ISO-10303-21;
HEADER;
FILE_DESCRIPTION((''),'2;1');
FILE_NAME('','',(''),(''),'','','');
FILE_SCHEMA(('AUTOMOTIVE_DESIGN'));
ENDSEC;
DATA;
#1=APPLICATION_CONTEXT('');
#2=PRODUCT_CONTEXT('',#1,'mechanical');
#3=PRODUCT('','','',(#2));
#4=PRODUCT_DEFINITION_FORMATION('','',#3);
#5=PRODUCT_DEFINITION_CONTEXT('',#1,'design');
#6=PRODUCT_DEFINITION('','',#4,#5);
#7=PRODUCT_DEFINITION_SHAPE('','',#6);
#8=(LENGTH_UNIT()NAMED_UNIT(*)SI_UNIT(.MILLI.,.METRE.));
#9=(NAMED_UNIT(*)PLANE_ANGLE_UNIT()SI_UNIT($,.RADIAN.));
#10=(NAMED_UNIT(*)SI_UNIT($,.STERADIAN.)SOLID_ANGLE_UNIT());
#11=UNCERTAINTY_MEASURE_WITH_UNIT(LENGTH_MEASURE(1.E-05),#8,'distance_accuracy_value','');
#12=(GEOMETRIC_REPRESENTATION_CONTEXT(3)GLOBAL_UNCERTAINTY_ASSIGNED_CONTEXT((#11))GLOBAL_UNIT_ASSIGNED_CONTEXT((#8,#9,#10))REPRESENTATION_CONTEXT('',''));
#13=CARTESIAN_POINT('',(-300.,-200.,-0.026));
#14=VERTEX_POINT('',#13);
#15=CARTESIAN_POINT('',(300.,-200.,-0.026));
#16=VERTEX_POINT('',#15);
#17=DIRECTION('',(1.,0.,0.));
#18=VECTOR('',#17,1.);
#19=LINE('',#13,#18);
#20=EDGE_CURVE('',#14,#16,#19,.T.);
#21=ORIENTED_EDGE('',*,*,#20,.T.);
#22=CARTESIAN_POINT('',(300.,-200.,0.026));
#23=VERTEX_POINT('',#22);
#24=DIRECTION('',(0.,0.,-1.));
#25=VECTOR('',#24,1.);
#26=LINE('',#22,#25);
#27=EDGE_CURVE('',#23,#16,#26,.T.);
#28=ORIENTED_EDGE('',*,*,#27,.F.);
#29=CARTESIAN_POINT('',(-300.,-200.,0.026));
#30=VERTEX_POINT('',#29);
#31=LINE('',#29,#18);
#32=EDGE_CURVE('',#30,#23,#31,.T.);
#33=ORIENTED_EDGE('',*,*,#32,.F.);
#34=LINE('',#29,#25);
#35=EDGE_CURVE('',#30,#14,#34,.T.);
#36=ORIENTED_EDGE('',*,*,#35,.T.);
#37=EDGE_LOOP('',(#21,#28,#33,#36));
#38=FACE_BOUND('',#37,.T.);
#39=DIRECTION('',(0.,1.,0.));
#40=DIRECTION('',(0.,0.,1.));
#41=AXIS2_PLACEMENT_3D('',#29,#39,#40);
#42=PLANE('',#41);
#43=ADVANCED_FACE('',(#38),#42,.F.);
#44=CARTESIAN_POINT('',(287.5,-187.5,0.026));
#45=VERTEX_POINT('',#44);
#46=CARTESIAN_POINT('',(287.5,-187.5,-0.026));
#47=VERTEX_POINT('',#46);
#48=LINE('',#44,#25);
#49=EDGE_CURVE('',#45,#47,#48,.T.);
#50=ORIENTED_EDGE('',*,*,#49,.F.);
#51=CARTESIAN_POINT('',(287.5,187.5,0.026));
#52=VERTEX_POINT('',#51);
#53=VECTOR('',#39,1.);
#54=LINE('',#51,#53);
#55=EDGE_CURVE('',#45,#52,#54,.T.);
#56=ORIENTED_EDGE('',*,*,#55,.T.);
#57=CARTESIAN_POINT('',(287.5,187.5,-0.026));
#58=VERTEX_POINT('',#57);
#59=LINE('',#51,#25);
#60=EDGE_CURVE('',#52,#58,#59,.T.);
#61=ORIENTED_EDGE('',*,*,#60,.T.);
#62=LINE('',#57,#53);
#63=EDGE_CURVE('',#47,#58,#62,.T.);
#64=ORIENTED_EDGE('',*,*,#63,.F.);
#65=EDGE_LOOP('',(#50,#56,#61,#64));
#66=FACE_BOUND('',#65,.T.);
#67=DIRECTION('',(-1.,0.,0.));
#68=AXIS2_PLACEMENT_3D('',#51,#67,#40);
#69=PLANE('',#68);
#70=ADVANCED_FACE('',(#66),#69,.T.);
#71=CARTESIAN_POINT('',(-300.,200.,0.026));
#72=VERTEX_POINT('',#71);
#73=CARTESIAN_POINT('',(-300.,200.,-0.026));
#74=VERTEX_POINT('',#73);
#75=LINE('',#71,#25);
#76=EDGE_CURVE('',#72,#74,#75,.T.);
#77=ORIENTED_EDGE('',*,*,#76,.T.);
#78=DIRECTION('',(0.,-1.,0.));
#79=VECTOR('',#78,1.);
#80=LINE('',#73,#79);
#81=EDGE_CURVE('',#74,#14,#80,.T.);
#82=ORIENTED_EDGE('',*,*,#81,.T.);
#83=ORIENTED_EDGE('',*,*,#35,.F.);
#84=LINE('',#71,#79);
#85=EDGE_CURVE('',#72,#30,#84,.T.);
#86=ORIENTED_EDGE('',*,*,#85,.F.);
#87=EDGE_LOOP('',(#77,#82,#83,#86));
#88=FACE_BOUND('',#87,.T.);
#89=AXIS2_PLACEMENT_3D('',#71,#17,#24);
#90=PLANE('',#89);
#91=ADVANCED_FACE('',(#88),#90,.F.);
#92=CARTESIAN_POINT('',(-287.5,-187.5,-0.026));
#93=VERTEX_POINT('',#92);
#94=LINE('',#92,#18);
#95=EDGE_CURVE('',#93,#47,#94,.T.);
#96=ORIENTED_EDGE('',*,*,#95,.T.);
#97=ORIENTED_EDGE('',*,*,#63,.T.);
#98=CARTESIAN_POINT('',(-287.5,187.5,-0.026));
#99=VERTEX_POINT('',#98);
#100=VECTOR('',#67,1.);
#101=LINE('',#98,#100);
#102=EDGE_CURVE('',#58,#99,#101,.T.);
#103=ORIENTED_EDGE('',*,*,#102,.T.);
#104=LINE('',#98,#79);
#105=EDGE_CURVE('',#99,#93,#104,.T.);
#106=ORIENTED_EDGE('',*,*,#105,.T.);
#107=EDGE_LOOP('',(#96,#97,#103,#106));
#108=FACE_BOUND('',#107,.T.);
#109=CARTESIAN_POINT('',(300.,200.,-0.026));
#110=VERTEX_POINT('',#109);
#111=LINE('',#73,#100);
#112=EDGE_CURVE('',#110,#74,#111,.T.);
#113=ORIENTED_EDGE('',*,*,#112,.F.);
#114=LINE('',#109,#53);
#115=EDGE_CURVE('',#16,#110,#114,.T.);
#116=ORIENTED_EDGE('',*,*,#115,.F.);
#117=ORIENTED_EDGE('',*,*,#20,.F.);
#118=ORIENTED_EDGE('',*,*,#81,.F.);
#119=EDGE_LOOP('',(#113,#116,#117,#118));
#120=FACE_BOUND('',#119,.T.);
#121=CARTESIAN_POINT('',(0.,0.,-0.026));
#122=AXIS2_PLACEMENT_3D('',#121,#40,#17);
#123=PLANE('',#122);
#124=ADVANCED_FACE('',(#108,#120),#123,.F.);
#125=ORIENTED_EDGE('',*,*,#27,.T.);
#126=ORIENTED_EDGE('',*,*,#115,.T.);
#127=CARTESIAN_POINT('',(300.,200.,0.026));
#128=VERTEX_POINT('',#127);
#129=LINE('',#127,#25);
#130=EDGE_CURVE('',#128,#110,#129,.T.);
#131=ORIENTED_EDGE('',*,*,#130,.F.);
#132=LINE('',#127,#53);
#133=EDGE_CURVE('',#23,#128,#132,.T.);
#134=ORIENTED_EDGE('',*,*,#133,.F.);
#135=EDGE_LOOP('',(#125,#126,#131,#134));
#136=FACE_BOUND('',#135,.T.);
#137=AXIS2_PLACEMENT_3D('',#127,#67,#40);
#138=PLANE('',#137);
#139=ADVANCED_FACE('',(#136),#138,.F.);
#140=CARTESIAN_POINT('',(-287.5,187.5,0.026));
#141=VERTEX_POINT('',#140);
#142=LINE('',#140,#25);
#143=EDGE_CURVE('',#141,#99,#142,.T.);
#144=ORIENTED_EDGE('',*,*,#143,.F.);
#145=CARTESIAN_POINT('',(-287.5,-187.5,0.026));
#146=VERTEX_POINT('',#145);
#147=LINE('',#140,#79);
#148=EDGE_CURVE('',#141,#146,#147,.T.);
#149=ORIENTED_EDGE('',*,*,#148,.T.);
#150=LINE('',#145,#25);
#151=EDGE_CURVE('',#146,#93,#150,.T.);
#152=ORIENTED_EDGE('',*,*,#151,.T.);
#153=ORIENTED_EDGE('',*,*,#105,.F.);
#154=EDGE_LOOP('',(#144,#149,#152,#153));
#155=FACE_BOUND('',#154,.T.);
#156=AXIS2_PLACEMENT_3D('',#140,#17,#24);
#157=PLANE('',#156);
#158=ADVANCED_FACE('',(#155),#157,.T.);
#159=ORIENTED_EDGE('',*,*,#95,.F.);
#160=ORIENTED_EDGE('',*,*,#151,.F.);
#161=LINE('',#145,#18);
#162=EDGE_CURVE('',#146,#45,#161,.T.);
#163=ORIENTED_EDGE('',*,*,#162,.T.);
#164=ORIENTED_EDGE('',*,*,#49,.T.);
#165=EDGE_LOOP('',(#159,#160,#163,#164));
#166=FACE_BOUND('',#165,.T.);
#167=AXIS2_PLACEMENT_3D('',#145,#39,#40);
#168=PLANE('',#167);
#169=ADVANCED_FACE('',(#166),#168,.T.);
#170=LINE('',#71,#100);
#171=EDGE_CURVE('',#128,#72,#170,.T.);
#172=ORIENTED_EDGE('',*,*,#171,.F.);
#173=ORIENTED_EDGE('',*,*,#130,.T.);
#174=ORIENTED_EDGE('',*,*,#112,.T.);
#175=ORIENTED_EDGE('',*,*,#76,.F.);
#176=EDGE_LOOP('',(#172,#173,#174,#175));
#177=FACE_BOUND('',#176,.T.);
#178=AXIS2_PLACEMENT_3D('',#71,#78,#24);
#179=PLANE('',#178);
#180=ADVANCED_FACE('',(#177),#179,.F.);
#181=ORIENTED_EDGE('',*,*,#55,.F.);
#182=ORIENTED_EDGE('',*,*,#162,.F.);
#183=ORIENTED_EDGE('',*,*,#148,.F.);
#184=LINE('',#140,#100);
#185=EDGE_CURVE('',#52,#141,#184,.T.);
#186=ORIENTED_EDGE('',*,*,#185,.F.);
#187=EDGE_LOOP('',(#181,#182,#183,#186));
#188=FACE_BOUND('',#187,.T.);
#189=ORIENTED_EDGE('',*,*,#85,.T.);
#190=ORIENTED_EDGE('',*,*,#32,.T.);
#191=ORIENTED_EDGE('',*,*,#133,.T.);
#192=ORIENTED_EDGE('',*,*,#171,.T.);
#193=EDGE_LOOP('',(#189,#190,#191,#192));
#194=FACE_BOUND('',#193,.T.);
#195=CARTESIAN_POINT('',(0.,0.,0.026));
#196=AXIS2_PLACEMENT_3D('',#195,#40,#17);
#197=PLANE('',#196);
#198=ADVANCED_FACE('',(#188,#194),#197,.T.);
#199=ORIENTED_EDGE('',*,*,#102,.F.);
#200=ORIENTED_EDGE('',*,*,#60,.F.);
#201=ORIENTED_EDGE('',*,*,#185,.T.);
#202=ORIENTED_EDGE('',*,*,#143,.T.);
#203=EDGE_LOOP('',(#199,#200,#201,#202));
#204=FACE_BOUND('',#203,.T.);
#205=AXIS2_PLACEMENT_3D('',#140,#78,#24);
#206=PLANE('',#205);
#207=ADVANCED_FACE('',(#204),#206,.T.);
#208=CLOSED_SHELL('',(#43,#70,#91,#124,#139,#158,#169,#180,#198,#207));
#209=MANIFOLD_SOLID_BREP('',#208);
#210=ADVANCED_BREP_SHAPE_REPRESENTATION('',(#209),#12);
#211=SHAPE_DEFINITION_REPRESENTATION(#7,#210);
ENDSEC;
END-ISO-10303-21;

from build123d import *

# Parameters (mm, degrees)
SKETCH4_W           = 600
SKETCH4_H           = 400
SKETCH4_W_2         = 575
SKETCH4_H_2         = 375
BOSS_EXTRUDE4_DEPTH = 0.026


with BuildPart() as part:
    # Sketch4 → Boss-Extrude4 (new, symmetric)
    with BuildSketch(Plane.XY):
        Rectangle(SKETCH4_W, SKETCH4_H)
        Rectangle(SKETCH4_W_2, SKETCH4_H_2, mode=Mode.SUBTRACT)
    extrude(amount=BOSS_EXTRUDE4_DEPTH, both=True)


solid = part.part
